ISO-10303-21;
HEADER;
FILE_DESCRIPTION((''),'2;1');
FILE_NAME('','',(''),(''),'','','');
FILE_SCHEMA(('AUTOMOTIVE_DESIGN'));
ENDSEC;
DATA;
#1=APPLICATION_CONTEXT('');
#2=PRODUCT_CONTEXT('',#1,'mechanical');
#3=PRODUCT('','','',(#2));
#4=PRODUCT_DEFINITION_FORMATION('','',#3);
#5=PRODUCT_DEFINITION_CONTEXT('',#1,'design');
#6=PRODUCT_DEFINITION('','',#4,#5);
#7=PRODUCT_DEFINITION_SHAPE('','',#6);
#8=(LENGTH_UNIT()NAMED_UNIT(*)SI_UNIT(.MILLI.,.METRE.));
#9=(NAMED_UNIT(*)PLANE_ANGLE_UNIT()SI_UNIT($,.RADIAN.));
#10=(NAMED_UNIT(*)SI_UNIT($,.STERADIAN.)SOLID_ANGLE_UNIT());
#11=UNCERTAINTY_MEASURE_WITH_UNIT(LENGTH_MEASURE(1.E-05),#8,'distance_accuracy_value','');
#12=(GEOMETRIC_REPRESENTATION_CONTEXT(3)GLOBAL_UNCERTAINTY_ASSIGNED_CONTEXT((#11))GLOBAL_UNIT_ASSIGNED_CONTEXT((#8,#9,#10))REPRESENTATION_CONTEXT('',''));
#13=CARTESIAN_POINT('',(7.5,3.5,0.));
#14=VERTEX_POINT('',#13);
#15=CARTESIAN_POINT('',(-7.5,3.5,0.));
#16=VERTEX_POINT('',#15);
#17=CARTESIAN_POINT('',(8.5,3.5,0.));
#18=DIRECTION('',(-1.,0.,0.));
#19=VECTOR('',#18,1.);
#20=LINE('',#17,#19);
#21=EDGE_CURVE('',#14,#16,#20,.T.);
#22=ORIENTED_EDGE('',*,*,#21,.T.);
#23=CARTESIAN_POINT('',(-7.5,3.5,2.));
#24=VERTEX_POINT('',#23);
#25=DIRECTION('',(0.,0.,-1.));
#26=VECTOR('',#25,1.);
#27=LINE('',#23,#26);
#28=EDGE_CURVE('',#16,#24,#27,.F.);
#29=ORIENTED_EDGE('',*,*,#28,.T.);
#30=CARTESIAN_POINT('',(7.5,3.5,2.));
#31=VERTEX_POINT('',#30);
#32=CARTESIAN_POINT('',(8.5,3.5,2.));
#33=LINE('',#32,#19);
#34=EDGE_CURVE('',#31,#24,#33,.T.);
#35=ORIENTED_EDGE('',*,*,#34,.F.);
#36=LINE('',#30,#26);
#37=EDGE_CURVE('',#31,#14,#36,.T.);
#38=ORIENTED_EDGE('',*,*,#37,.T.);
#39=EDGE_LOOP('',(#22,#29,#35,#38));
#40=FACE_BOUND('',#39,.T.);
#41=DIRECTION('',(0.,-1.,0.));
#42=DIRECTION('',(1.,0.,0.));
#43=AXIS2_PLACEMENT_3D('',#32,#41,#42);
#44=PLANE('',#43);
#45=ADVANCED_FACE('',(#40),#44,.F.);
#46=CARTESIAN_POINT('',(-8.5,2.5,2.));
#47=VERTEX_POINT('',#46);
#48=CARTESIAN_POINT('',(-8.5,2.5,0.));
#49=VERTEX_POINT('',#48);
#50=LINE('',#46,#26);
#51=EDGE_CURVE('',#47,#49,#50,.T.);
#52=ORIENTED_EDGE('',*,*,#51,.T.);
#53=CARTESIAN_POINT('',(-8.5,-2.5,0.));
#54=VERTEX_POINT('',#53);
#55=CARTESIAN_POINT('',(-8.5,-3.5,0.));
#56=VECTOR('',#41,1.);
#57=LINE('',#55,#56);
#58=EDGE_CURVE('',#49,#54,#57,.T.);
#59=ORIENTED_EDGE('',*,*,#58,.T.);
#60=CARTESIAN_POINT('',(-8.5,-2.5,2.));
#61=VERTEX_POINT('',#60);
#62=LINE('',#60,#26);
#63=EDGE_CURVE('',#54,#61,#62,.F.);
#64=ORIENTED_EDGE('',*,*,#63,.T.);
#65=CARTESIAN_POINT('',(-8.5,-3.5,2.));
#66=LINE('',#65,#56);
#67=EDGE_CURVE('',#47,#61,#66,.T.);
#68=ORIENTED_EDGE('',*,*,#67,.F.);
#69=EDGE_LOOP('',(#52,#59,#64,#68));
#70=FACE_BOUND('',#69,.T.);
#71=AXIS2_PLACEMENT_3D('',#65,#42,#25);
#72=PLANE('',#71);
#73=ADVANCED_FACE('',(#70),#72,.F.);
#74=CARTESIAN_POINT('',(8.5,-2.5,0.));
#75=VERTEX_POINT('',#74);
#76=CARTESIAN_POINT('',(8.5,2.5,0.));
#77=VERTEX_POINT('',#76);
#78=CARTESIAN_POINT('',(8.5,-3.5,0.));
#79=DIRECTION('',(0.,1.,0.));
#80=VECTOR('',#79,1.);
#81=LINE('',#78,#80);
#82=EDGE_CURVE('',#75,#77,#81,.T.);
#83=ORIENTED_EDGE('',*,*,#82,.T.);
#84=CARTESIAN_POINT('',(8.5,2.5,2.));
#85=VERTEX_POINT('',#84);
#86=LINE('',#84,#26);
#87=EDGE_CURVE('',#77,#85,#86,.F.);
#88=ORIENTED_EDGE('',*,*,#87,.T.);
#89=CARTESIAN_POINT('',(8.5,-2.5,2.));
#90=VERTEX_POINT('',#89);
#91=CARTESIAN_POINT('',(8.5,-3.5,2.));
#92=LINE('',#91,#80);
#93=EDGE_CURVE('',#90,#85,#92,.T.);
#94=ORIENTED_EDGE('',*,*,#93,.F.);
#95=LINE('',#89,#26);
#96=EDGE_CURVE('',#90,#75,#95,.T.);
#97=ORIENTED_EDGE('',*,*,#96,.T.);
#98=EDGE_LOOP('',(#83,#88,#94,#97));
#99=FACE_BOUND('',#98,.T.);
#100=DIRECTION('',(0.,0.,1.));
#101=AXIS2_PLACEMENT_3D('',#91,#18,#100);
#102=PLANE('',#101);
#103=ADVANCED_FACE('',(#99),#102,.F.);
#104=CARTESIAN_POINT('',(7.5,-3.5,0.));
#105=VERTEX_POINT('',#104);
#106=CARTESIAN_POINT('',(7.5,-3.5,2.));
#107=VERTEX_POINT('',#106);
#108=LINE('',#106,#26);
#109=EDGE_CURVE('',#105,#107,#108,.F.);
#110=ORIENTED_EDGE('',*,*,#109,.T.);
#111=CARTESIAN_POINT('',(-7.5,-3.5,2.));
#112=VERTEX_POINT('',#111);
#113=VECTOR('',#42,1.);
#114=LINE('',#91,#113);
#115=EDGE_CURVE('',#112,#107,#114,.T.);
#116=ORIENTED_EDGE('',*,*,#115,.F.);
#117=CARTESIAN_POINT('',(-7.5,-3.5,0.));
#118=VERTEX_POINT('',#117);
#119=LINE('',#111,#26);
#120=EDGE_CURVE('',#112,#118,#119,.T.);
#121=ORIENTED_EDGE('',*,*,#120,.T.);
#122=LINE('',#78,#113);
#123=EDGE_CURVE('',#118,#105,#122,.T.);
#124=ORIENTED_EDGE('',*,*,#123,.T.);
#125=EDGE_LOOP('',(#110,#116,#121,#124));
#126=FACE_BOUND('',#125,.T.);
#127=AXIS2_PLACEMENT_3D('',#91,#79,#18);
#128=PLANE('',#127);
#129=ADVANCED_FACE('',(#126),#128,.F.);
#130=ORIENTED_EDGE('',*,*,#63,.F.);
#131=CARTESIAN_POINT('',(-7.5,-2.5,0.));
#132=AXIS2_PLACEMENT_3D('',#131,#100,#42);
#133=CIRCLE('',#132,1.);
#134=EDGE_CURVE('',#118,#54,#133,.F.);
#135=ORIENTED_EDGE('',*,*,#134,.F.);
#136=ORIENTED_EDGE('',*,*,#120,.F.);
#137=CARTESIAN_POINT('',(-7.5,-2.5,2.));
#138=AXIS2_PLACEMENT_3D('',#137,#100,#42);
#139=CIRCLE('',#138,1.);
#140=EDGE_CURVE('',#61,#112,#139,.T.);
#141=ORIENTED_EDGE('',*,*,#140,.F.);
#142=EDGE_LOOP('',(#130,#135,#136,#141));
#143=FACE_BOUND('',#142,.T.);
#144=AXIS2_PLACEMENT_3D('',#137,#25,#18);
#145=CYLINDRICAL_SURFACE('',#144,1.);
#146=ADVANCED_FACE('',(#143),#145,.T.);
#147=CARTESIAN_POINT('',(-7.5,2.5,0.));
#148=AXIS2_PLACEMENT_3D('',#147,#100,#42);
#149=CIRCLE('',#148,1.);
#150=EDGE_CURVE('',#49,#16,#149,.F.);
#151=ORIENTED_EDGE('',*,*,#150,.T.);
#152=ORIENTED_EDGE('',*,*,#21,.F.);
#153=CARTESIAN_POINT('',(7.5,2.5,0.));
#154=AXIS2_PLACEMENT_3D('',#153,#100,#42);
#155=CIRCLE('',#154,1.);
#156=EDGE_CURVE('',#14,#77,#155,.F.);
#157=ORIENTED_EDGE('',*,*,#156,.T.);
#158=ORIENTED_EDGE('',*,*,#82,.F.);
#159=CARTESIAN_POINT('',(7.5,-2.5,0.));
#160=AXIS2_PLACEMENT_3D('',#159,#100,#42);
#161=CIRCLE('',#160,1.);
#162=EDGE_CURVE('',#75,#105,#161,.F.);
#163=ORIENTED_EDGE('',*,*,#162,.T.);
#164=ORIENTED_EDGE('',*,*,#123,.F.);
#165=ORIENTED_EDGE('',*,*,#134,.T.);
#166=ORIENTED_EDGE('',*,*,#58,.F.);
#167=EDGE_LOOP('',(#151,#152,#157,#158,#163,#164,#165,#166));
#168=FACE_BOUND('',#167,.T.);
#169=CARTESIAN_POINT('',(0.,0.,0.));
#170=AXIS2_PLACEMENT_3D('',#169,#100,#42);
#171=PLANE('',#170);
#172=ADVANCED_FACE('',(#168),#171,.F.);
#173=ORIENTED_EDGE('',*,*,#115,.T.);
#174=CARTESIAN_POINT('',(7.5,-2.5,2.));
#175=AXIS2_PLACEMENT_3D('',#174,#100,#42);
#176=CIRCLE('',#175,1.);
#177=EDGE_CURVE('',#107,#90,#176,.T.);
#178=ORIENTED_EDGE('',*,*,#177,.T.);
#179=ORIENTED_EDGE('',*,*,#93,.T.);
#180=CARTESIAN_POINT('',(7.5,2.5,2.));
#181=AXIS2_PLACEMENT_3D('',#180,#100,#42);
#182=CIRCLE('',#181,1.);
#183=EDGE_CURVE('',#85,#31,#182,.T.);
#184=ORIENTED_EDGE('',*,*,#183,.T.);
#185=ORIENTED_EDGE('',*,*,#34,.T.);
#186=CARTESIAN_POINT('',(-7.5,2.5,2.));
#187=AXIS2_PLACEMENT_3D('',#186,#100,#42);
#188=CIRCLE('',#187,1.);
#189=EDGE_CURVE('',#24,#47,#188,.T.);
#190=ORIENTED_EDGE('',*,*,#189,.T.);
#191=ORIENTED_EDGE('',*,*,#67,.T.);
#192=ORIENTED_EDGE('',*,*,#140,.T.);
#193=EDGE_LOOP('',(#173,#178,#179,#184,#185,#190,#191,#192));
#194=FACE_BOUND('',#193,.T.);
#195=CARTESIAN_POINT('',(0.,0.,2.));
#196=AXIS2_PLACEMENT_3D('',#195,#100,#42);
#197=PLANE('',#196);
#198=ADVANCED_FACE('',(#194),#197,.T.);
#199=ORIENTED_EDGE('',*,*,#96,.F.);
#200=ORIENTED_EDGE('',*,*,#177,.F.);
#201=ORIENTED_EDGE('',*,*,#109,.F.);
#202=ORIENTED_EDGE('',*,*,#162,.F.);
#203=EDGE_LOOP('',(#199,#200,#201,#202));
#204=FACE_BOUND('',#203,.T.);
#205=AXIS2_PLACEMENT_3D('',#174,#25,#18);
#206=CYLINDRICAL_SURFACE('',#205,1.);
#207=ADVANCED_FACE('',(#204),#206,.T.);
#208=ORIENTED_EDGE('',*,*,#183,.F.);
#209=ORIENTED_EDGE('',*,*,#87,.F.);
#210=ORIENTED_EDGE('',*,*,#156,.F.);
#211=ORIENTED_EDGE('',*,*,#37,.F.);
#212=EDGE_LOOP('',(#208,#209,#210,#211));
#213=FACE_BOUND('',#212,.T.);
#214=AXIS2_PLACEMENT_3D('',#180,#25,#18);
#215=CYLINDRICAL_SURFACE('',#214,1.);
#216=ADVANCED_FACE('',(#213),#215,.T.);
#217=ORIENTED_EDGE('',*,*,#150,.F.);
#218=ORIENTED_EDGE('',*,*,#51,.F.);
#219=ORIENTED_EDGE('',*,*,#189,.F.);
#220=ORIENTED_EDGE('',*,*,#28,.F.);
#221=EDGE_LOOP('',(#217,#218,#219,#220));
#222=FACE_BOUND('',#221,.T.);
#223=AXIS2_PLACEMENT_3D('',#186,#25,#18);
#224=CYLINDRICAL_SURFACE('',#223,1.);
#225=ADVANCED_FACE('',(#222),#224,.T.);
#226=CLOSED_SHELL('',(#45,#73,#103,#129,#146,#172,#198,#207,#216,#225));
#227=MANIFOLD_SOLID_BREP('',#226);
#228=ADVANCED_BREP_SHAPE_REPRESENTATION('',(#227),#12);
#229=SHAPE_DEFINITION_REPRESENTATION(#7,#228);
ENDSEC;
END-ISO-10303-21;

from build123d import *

# Parameters (mm, degrees)
SKETCH1_W      = 17
SKETCH1_H      = 7
EXTRUDE1_DEPTH = 2
FILLET1_R      = 1


with BuildPart() as part:
    # Sketch1 → Extrude1 (new body)
    with BuildSketch(Plane.XY):
        Rectangle(SKETCH1_W, SKETCH1_H)
    extrude(amount=EXTRUDE1_DEPTH)

    # Fillet1
    fillet1_edges = [part.edges().sort_by_distance(p)[0] for p in [
        (-8.5, 3.5, 1),
        (8.5, 3.5, 1),
        (8.5, -3.5, 1),
        (-8.5, -3.5, 1),
    ]]
    fillet(fillet1_edges, radius=FILLET1_R)


solid = part.part
